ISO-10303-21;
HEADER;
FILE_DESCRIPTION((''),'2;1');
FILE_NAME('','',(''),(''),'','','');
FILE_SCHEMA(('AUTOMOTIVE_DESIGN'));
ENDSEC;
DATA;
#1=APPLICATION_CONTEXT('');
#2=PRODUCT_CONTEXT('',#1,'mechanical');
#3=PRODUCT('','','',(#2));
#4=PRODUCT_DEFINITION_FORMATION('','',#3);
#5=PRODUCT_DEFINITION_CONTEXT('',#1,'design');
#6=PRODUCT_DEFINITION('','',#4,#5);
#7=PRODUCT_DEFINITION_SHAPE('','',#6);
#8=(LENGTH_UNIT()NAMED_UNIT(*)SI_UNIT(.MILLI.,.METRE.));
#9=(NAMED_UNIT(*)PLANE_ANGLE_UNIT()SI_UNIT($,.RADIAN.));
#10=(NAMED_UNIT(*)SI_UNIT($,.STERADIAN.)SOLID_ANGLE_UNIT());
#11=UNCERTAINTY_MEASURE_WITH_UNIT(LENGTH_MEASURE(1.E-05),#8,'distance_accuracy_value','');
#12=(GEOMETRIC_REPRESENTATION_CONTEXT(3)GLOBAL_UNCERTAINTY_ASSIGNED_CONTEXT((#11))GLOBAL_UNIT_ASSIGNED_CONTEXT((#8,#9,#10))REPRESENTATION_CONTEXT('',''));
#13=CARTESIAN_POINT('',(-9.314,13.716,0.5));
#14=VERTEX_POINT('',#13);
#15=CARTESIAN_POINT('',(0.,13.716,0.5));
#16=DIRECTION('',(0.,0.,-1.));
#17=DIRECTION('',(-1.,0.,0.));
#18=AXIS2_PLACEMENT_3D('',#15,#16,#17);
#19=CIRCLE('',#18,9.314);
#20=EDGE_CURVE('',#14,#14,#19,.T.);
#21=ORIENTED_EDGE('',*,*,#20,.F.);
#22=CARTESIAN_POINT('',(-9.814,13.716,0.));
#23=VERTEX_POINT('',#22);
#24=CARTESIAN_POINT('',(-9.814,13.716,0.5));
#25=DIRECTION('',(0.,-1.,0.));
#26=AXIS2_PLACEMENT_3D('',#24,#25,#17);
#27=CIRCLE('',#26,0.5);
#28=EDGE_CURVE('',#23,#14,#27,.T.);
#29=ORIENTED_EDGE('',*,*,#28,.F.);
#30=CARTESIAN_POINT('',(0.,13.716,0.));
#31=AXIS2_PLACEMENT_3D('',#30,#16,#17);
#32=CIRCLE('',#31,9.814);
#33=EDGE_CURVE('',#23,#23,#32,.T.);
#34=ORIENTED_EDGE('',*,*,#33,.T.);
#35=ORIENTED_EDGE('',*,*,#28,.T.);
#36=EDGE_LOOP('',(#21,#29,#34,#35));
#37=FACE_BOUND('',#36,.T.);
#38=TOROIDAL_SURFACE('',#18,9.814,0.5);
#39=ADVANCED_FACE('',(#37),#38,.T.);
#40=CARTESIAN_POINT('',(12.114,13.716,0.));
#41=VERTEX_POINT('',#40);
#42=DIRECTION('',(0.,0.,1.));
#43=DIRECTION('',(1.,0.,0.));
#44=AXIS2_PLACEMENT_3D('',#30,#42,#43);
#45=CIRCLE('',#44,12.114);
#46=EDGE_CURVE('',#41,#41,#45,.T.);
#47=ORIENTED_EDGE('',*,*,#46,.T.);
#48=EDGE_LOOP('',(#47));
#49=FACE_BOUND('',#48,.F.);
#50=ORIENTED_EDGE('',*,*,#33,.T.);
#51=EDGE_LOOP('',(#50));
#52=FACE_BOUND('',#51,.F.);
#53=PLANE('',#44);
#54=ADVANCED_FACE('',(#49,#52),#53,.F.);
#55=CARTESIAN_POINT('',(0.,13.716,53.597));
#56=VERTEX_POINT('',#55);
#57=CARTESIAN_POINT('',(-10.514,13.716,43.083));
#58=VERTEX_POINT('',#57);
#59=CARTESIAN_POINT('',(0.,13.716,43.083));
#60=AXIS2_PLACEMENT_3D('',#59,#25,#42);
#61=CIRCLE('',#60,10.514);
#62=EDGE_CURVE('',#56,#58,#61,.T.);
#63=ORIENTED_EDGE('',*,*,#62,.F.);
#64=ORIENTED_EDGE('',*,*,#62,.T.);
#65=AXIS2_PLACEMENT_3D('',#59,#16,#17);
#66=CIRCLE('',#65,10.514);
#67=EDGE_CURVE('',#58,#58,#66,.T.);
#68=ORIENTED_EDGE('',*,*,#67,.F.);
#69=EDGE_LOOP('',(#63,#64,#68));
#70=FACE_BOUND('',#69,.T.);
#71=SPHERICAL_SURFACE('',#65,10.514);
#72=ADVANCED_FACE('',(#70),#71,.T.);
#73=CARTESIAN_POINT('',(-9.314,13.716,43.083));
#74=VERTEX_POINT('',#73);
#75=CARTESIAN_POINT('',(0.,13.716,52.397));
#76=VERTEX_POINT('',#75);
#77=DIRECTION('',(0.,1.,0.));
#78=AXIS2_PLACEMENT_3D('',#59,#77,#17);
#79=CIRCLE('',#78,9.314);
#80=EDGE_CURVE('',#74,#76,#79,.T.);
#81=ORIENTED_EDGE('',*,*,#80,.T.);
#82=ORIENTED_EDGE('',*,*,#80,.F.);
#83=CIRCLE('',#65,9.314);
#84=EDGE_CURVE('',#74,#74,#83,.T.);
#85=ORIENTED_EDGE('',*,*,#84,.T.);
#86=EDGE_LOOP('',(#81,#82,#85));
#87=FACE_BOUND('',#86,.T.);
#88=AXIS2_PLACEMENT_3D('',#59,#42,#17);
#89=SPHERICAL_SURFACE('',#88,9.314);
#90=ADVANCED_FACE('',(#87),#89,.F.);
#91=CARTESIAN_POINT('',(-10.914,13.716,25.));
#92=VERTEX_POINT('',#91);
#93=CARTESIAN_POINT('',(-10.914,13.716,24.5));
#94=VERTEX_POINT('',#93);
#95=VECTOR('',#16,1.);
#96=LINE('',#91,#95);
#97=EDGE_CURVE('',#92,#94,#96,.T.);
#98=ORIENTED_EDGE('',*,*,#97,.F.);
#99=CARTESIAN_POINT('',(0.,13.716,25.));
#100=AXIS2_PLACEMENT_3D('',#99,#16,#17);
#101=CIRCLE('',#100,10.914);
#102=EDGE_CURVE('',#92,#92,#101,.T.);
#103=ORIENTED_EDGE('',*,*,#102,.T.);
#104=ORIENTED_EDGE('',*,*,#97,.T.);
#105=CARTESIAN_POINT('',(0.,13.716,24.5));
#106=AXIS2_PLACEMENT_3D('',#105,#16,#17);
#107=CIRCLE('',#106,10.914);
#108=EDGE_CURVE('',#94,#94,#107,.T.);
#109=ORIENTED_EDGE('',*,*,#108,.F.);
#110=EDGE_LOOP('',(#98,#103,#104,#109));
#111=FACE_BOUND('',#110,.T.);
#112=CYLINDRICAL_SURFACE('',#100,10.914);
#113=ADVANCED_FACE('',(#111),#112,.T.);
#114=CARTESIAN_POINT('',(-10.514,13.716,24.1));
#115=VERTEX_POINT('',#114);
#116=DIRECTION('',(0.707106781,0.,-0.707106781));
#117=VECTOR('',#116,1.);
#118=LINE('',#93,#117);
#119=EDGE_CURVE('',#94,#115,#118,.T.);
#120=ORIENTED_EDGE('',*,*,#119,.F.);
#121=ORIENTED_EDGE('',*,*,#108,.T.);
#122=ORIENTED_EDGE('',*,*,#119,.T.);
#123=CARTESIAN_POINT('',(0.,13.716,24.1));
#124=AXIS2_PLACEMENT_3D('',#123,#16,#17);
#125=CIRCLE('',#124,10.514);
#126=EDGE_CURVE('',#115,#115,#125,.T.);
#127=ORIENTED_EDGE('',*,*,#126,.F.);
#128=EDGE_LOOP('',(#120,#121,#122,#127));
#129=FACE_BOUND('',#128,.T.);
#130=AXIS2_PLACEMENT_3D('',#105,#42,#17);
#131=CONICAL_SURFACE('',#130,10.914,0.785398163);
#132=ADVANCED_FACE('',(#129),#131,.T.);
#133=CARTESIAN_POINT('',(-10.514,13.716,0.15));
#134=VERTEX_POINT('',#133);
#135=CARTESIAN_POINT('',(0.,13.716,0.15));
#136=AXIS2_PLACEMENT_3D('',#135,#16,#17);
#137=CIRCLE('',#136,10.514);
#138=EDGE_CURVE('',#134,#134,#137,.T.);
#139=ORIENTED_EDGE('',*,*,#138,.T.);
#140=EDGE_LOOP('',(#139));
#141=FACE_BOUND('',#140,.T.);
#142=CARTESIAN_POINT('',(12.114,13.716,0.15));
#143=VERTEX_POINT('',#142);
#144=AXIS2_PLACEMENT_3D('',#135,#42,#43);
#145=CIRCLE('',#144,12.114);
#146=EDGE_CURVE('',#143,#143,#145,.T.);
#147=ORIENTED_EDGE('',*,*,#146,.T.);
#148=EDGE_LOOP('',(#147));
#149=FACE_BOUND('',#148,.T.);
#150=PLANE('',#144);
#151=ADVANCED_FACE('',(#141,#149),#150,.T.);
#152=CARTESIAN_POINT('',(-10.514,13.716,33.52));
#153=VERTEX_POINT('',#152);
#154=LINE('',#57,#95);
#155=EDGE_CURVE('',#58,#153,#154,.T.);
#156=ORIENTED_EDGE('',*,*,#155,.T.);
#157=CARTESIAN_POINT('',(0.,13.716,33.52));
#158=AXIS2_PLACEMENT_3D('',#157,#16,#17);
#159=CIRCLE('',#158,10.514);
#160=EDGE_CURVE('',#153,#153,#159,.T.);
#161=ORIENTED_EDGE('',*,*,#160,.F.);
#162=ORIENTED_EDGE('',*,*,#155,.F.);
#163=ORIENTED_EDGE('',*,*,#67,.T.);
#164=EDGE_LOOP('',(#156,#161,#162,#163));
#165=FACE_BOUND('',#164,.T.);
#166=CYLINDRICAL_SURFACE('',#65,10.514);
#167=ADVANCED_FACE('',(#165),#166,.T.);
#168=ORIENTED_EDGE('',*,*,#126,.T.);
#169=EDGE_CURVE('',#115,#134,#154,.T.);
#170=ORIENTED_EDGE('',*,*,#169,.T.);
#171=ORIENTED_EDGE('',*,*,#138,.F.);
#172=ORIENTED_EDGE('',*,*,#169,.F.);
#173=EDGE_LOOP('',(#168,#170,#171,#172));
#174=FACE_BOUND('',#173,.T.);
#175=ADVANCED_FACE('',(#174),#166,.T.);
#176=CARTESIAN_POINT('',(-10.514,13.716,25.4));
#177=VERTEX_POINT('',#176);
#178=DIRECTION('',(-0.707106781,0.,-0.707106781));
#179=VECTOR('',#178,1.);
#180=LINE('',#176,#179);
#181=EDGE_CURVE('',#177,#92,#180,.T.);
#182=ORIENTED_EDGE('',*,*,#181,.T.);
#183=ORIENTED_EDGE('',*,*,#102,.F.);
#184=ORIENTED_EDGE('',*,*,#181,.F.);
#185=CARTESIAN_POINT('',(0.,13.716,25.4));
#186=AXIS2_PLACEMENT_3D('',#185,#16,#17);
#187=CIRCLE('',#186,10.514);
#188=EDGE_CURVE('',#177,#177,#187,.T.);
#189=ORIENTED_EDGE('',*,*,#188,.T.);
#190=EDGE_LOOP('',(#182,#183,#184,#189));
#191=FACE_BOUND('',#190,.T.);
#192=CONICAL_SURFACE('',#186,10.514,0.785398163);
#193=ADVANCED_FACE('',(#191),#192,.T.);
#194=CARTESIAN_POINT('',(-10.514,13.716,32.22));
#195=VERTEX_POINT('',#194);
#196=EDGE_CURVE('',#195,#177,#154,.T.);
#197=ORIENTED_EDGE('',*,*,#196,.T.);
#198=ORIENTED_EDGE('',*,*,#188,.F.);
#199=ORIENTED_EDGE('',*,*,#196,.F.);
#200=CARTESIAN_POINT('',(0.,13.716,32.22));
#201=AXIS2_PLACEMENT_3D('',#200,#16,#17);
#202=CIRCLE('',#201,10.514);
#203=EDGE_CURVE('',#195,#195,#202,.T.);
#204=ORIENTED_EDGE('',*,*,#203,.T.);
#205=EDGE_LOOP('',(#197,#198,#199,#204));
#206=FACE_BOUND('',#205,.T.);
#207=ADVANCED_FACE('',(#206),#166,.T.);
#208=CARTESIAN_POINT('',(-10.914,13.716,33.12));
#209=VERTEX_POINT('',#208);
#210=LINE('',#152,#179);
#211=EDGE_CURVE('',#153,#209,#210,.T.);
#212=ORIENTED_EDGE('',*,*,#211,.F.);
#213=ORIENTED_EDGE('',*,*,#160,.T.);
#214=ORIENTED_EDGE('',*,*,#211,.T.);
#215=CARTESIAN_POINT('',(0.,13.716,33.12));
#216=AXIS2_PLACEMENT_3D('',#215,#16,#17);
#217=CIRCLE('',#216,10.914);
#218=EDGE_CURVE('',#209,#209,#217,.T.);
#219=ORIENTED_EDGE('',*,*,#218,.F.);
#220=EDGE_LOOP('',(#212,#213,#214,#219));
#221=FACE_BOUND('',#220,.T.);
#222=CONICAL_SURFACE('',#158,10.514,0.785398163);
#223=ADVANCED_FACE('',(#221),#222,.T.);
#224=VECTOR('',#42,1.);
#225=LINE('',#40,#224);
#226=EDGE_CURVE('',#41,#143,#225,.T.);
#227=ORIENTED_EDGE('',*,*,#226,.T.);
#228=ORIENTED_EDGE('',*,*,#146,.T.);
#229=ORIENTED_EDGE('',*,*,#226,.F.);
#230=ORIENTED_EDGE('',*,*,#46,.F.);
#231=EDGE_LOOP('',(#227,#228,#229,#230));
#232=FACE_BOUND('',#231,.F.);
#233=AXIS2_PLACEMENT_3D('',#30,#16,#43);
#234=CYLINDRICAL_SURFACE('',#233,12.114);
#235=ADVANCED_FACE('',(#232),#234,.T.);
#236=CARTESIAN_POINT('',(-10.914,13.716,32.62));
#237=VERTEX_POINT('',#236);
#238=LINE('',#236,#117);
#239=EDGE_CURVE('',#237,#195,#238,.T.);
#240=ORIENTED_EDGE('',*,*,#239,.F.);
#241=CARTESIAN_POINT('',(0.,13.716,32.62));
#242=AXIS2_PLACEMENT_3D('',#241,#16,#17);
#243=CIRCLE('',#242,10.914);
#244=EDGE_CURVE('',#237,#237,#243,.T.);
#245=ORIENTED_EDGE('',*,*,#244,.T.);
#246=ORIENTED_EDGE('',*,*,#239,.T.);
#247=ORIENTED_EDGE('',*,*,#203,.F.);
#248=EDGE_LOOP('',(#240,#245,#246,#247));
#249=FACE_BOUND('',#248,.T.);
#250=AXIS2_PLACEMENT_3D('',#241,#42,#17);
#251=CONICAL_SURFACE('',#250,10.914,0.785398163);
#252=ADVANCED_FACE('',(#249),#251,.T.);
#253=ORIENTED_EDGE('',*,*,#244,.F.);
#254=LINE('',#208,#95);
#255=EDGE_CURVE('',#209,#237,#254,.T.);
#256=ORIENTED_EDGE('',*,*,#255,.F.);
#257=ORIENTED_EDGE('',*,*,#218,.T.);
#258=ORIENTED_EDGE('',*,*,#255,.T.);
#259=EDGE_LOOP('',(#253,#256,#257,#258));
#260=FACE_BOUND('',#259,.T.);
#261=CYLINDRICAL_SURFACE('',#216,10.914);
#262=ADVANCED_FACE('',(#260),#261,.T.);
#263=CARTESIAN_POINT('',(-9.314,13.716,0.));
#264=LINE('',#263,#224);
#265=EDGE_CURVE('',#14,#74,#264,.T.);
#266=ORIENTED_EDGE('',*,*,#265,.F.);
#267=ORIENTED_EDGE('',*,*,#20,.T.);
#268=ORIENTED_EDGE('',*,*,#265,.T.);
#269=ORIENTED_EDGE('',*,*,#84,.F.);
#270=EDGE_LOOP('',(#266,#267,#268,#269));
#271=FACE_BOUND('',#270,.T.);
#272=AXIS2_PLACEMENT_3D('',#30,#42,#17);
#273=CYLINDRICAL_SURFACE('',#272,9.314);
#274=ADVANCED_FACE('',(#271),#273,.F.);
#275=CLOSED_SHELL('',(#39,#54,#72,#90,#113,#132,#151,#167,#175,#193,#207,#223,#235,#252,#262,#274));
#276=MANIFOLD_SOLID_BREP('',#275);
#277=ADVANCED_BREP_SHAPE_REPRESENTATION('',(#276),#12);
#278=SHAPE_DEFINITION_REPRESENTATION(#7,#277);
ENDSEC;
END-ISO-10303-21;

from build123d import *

# Parameters (mm, degrees)
F2_R     = 0.5
F3_R     = 12.114
F3_R_2   = 10.514
F4_DEPTH = 0.15


with BuildPart() as f1:
    # F0 (on Front) → F1 (revolve)
    with BuildSketch(Plane.XZ):
        Polygon((-10.514, 33.12), (-10.514, 33.52), (-10.914, 33.12), (-10.914, 32.62), (-10.514, 32.22), (-10.514, 32.62), align=None)
        Polygon((-10.914, 24.5), (-10.514, 24.1), (-10.514, 24.5), (-10.514, 25), (-10.514, 25.4), (-10.914, 25), align=None)
        with BuildLine():
            Line((-10.514, 0), (-9.314, 0))
            Line((-9.314, 0), (-9.314, 43.083))
            ThreePointArc((-9.314, 43.083), (-6.58599256, 49.66899256), (0, 52.397))
            Line((0, 52.397), (0, 53.597))
            ThreePointArc((0, 53.597), (-7.4345206974, 50.5175206974), (-10.514, 43.083))
            Line((-10.514, 43.083), (-10.514, 33.52))
            Line((-10.514, 33.52), (-10.514, 33.12))
            Line((-10.514, 33.12), (-10.514, 32.62))
            Line((-10.514, 32.62), (-10.514, 32.22))
            Line((-10.514, 32.22), (-10.514, 25.4))
            Line((-10.514, 25.4), (-10.514, 25))
            Line((-10.514, 25), (-10.514, 24.5))
            Line((-10.514, 24.5), (-10.514, 24.1))
            Line((-10.514, 24.1), (-10.514, 0))
        make_face()
    revolve(axis=Axis((0, 0, 26.1985), (0, 0, -1)))

    # F2
    f2_edges = [f1.edges().sort_by_distance(p)[0] for p in [
        (9.314, 0, 0),
    ]]
    fillet(f2_edges, radius=F2_R)

    # F3 (on Top) → F4 (join)
    with BuildSketch(Plane.XY):
        Circle(F3_R)
        Circle(F3_R_2, mode=Mode.SUBTRACT)
    extrude(amount=F4_DEPTH)


with BuildPart() as f1_1:
    # F5: moved
    add(f1.part.moved(Location((0, 13.716, 0))))


solid = f1_1.part
